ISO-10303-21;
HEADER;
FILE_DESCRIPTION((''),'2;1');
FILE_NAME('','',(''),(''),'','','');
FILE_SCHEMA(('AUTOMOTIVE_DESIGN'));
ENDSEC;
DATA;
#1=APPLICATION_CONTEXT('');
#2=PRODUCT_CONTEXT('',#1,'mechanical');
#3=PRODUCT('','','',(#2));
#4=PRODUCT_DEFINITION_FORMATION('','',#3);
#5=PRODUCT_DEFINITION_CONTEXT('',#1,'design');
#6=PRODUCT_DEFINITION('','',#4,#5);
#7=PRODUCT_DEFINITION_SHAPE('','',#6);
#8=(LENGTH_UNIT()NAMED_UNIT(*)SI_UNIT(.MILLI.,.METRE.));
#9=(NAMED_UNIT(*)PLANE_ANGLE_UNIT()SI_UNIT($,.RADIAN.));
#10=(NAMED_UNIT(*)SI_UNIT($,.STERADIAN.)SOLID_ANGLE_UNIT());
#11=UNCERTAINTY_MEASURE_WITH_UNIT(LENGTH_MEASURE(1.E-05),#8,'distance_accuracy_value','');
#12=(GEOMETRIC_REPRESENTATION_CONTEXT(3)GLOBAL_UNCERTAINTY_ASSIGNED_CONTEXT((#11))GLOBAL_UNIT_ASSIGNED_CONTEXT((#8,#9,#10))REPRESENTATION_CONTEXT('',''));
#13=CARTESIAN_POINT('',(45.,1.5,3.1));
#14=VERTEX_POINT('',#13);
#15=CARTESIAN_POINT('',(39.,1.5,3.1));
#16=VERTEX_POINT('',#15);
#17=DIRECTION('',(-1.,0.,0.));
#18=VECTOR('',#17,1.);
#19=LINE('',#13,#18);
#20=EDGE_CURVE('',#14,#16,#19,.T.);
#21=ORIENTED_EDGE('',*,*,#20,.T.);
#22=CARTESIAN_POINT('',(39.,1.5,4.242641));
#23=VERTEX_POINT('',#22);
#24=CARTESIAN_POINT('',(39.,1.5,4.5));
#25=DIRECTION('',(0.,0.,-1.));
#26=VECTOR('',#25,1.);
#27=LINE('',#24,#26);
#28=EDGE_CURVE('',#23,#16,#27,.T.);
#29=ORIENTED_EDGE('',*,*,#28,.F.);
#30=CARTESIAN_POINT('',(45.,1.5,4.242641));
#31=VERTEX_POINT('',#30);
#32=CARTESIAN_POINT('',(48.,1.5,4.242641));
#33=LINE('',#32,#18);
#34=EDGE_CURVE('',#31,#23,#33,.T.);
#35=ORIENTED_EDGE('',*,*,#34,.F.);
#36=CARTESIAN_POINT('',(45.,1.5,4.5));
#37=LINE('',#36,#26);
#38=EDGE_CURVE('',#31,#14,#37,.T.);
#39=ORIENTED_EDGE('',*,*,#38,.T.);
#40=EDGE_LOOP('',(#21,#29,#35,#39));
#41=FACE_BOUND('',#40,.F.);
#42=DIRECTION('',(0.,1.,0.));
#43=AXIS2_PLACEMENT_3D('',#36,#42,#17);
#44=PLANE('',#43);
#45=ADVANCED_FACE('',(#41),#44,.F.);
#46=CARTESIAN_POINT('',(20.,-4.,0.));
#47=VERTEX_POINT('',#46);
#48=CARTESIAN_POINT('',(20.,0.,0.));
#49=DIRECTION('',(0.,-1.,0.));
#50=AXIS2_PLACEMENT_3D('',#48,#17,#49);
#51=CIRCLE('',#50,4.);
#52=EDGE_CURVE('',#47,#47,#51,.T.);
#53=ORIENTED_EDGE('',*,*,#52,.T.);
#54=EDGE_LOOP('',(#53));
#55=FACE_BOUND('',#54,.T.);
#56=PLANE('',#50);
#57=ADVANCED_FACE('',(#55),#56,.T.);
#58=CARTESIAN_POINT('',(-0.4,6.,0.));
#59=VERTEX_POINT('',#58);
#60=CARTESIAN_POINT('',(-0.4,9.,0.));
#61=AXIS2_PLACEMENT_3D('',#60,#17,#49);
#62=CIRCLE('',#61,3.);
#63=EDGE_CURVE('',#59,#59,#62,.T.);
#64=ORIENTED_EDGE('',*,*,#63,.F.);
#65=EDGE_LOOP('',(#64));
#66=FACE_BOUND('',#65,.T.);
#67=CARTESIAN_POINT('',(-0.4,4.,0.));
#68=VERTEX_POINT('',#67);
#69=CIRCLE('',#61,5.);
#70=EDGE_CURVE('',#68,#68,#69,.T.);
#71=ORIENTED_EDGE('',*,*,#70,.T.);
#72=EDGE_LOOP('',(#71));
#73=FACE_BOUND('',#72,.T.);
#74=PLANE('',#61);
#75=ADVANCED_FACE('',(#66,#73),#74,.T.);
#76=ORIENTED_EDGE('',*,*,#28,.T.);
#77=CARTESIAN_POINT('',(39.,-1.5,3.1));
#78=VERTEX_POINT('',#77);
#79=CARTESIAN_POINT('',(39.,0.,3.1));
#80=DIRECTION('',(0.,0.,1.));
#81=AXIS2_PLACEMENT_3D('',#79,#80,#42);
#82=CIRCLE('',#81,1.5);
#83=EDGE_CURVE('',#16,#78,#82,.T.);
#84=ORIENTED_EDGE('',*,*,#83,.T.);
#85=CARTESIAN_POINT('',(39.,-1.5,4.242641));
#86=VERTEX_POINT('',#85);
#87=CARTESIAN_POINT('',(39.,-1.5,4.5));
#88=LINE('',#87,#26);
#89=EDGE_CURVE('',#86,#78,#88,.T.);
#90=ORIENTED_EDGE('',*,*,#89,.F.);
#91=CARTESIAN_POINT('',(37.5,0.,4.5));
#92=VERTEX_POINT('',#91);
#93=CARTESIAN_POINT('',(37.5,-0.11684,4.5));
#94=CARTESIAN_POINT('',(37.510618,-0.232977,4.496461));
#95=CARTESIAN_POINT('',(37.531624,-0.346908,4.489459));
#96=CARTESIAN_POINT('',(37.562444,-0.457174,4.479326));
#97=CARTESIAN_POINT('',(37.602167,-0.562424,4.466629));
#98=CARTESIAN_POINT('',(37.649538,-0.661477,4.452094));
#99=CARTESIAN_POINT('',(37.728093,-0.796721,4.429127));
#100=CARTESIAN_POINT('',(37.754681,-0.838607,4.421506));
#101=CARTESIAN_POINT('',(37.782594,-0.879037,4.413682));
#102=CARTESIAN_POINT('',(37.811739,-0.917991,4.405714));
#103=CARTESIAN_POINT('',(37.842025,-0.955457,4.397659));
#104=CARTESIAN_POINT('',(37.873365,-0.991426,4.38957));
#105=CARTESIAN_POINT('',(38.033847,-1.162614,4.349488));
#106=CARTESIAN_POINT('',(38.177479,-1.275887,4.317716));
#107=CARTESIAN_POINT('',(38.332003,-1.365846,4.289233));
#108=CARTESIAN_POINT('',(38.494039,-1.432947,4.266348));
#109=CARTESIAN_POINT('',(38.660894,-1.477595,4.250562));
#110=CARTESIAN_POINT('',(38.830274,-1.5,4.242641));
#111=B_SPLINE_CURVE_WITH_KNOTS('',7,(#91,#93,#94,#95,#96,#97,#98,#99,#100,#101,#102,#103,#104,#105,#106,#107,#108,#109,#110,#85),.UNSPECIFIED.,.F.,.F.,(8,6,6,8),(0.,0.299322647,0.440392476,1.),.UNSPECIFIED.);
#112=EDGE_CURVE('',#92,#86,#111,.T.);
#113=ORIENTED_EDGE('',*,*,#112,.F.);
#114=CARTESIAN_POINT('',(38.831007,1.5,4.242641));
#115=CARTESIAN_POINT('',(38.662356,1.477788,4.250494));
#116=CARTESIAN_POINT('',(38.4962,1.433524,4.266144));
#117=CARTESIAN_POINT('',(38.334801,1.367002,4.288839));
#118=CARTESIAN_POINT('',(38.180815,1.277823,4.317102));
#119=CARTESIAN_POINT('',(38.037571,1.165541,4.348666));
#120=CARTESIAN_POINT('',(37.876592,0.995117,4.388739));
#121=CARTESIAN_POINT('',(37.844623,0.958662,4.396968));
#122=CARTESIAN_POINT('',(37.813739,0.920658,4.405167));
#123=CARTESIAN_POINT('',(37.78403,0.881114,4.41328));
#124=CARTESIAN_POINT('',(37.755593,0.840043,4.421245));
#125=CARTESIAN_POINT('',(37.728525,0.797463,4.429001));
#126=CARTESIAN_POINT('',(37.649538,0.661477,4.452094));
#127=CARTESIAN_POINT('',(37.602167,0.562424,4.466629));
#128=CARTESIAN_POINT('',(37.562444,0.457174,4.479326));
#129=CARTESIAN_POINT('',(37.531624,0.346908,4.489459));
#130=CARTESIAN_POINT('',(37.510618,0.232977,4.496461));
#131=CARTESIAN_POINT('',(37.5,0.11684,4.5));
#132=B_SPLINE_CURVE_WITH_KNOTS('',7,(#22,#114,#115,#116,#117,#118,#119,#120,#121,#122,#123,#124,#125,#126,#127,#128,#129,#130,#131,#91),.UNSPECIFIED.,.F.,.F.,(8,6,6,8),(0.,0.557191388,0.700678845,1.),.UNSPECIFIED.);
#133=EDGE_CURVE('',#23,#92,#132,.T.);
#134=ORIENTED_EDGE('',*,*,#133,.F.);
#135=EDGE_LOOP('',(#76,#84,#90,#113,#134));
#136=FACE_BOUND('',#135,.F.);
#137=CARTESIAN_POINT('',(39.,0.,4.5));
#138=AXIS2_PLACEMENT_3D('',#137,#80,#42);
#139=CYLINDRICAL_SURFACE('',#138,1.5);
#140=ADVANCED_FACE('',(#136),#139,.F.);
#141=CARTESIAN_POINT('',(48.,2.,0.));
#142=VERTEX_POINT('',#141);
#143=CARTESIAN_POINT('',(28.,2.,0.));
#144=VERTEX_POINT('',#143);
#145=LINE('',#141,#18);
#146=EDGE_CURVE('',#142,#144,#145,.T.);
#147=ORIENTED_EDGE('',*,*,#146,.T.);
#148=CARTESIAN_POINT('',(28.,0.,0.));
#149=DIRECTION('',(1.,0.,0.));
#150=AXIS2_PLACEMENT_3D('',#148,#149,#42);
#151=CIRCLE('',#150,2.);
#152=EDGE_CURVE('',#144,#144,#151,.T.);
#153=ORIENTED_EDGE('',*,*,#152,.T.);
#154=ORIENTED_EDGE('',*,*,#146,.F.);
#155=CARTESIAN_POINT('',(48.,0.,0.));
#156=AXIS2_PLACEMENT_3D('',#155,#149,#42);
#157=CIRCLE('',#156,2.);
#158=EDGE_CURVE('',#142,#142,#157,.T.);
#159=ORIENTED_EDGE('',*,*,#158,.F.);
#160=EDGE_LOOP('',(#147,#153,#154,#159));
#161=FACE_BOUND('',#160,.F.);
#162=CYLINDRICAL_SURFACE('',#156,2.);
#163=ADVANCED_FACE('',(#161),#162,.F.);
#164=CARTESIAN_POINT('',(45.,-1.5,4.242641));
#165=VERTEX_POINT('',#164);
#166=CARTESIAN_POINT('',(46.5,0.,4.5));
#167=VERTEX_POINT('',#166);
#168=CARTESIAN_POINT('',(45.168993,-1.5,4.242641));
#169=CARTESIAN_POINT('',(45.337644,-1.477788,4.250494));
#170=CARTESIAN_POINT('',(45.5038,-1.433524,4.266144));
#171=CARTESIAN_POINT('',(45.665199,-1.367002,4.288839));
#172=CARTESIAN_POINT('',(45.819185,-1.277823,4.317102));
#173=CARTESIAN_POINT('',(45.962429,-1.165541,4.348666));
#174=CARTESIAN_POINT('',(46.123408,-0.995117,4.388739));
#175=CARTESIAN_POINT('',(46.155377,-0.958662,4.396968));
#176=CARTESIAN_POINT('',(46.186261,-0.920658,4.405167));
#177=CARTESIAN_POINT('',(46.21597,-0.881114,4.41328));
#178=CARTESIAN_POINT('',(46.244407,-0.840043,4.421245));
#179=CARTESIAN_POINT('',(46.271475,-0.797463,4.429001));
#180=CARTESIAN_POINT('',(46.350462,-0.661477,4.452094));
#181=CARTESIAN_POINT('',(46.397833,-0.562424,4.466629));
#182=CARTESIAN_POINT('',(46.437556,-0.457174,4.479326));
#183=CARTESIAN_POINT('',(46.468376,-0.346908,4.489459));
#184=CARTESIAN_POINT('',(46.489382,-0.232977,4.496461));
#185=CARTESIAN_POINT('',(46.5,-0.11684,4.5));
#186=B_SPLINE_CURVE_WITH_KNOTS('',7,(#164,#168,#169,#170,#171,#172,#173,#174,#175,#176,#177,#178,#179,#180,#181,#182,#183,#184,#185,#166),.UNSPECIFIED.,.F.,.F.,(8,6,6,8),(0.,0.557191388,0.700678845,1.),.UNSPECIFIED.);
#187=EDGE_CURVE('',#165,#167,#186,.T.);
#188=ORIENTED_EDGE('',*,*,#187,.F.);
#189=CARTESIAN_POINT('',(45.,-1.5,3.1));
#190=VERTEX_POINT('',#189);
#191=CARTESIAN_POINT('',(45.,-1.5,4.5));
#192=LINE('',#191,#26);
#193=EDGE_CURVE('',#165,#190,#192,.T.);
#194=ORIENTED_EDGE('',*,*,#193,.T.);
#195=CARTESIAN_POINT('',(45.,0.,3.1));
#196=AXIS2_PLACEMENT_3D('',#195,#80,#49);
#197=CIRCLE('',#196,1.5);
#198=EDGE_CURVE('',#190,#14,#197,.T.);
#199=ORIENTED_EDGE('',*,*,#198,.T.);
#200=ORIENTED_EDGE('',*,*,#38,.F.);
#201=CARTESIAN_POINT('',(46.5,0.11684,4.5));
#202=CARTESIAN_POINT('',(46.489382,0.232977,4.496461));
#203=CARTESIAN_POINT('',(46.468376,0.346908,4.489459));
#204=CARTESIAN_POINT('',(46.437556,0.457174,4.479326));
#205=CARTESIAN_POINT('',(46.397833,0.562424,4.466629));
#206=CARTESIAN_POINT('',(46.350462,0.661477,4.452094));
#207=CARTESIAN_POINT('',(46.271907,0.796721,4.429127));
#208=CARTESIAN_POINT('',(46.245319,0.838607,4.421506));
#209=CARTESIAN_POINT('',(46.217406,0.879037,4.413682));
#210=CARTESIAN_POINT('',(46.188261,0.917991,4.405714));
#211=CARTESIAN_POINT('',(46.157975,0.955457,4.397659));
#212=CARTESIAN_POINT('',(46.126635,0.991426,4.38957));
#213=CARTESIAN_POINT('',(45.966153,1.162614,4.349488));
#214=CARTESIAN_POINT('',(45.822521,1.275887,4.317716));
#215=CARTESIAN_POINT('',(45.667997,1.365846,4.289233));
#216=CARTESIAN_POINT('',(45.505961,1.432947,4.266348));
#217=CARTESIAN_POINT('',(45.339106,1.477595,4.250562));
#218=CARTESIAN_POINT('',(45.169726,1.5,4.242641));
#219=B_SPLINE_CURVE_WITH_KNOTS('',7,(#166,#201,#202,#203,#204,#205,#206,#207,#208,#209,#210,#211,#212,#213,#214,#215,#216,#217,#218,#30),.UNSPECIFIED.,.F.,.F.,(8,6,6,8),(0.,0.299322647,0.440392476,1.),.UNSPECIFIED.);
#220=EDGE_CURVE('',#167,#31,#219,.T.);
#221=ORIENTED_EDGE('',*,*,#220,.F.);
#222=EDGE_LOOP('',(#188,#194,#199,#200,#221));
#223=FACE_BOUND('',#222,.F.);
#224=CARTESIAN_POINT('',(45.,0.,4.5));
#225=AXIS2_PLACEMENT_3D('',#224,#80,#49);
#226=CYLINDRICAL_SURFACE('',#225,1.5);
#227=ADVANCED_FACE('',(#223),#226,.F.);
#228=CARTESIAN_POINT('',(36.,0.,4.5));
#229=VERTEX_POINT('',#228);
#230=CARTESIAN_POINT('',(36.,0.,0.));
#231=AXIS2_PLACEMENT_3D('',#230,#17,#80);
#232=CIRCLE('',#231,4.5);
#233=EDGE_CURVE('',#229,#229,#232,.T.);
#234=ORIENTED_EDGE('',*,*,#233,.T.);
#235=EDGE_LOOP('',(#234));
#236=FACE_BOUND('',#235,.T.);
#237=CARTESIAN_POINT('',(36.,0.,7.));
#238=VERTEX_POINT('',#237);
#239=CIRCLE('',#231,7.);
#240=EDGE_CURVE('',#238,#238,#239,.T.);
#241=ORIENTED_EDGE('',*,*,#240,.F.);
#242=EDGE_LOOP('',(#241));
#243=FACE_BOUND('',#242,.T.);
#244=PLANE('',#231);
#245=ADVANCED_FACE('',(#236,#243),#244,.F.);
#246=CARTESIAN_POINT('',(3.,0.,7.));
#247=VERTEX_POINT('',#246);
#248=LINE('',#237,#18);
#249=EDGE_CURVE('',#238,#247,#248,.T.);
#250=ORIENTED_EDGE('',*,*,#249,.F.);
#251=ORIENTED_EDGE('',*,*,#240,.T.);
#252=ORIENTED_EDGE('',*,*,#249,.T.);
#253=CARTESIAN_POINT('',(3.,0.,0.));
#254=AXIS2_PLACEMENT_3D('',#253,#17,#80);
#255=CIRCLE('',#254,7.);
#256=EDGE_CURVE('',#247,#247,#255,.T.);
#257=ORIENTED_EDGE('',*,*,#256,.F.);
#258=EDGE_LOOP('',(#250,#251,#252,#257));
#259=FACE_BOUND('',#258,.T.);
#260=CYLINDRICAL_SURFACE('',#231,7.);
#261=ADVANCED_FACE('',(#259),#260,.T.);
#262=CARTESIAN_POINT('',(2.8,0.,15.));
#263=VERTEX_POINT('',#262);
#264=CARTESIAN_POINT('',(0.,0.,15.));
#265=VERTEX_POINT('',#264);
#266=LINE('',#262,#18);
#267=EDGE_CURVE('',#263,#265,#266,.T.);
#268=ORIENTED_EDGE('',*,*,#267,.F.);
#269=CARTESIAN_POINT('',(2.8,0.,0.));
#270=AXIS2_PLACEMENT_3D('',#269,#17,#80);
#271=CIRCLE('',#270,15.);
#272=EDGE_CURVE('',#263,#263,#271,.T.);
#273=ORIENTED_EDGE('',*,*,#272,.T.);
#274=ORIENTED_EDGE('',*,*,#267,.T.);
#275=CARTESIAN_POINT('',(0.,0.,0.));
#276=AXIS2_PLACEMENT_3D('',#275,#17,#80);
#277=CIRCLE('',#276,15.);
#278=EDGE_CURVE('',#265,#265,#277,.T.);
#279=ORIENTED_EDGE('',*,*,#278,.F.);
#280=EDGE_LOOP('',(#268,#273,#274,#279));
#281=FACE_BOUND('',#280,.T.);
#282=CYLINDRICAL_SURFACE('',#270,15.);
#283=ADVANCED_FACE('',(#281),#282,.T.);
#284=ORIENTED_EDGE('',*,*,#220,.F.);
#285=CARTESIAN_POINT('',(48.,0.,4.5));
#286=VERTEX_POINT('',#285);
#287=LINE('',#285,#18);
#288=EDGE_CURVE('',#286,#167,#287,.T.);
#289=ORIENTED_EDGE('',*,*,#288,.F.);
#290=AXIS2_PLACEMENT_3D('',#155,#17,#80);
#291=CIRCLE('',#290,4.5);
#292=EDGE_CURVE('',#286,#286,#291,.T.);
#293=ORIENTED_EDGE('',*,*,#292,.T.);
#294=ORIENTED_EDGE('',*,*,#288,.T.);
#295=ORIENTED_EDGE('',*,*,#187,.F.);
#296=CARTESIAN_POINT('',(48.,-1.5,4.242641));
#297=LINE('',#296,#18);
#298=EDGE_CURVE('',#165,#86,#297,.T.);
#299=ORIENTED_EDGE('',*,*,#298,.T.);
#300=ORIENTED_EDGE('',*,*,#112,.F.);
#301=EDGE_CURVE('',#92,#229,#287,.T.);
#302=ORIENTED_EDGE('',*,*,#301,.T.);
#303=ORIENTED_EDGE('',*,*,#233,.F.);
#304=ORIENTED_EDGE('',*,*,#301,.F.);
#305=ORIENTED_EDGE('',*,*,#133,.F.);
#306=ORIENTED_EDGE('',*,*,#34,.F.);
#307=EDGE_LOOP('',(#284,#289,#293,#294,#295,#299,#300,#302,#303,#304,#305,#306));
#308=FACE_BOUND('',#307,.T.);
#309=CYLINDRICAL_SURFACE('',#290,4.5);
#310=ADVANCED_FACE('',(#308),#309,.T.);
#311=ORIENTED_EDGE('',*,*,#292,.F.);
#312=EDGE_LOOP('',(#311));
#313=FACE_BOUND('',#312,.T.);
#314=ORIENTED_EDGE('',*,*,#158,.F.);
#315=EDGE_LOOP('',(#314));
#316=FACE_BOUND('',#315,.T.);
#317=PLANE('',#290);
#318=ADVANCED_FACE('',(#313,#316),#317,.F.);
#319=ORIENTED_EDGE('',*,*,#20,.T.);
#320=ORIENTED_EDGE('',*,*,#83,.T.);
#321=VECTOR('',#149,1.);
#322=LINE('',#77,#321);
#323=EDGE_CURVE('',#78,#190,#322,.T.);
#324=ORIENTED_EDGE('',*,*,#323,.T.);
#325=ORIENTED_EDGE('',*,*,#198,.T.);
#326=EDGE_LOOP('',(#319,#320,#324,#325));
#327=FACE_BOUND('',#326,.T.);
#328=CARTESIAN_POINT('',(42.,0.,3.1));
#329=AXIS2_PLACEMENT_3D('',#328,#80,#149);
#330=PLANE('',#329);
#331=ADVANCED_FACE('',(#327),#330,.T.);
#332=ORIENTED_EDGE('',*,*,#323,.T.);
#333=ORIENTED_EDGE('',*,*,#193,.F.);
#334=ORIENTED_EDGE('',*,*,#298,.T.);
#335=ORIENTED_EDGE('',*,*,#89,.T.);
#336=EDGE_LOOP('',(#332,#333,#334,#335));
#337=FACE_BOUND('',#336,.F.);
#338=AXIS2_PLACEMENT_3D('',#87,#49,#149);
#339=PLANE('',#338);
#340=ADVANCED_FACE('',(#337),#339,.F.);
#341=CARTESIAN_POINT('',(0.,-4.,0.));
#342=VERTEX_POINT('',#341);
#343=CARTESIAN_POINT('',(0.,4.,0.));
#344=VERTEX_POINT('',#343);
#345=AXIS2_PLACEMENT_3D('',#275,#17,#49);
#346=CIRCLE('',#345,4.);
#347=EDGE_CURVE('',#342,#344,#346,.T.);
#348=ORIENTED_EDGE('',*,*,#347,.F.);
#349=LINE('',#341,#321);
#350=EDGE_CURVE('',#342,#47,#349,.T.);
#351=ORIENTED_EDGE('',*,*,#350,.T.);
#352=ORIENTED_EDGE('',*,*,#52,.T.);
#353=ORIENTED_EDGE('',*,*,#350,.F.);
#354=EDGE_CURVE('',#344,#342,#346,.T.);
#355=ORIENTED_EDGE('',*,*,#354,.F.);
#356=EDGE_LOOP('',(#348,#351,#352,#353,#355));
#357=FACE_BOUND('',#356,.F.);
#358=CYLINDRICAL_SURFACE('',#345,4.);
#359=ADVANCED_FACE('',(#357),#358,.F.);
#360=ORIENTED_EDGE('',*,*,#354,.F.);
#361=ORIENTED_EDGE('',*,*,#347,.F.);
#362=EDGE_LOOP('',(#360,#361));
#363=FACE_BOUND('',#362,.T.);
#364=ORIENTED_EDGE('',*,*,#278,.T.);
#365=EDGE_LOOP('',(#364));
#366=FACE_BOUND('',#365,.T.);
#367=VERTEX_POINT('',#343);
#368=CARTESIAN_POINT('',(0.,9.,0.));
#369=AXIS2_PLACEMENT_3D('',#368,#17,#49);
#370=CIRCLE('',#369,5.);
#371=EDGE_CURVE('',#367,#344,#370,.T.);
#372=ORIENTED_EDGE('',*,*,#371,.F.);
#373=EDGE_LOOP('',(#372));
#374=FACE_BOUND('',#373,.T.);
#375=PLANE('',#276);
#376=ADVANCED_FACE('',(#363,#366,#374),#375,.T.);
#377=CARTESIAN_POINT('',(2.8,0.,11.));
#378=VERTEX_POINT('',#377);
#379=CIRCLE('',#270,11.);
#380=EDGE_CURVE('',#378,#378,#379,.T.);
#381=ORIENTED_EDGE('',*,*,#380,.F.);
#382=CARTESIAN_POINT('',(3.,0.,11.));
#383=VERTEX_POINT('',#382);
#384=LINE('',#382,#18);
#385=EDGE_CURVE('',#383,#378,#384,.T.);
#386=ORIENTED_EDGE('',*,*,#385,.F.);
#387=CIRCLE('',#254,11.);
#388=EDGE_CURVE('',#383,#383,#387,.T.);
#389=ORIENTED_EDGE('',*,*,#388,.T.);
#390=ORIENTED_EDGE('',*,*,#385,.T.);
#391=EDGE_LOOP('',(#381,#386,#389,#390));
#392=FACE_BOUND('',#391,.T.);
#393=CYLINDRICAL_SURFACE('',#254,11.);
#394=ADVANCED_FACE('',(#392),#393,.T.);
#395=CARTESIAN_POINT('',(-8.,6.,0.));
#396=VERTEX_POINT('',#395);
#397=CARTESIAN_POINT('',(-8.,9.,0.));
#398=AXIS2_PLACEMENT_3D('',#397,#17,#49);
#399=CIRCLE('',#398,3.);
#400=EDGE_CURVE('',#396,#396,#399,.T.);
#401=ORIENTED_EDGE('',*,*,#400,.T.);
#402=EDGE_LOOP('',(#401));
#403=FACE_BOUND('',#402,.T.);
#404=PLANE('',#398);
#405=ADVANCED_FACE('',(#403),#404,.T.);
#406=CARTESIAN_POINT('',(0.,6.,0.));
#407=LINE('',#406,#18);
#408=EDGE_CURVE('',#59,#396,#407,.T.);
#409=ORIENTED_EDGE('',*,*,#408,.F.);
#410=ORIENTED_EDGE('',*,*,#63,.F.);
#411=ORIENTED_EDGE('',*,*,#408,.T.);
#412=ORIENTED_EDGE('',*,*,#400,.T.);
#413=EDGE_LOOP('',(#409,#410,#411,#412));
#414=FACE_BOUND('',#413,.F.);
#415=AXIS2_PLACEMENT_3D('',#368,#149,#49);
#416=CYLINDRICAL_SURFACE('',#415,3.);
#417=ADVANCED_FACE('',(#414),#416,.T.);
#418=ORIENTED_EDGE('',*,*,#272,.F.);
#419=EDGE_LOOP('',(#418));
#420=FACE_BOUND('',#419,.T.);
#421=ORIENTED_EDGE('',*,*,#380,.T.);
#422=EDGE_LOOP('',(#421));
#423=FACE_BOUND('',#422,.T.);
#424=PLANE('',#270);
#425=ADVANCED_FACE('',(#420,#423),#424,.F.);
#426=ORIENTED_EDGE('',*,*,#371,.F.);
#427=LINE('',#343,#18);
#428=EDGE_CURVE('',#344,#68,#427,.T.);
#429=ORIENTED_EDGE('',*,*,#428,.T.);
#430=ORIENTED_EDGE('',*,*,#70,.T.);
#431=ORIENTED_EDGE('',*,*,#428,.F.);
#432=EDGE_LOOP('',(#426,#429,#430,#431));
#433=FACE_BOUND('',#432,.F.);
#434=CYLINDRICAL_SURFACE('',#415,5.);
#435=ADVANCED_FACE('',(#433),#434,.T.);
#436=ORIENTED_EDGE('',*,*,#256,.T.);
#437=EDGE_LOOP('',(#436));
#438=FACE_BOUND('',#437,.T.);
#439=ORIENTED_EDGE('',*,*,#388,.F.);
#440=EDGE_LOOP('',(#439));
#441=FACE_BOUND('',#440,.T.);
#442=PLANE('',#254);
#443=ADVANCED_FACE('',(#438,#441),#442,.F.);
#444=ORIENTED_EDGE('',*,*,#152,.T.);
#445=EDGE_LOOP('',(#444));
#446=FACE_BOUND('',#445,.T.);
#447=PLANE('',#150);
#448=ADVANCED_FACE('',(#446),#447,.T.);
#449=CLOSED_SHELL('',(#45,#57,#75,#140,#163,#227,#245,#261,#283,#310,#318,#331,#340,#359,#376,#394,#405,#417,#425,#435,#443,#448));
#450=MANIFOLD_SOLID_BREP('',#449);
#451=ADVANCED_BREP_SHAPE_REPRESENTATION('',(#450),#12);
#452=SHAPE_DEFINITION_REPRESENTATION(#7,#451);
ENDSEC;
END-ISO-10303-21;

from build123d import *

# Parameters (mm, degrees)
F2_R      = 2
F3_DEPTH  = 20
F4_R      = 4
F5_DEPTH  = 20
F8_DEPTH  = 1.4
F9_R      = 3
F10_DEPTH = 8
F9_R_2    = 5
F11_DEPTH = 0.4


with BuildPart() as f1:
    # F0 (on Front) → F1 (revolve)
    with BuildSketch(Plane.XZ):
        Polygon((0, 15), (0, 0), (48, 0), (48, 4.5), (36, 4.5), (36, 7), (3, 7), (3, 11), (2.8, 11), (2.8, 15), align=None)
    revolve(axis=Axis((24, 0, 0), (-1, 0, 0)))

    # F2 (on face) → F3 (cut)
    with BuildSketch(Plane.YZ.offset(48)):
        Circle(F2_R)
    extrude(amount=-F3_DEPTH, mode=Mode.SUBTRACT)

    # F4 (on face) → F5 (cut)
    with BuildSketch(Plane(origin=(0, 0, 0), x_dir=(0, -1, 0), z_dir=(-1, 0, 0))):
        Circle(F4_R)
    extrude(amount=-F5_DEPTH, mode=Mode.SUBTRACT)

    # F7 (on offset) → F8 (cut)
    with BuildSketch(Plane.XY.offset(4.5)):
        with BuildLine():
            ThreePointArc((39, 1.5), (37.5, 0), (39, -1.5))
            Line((39, -1.5), (45, -1.5))
            ThreePointArc((45, -1.5), (46.5, 0), (45, 1.5))
            Line((45, 1.5), (39, 1.5))
        make_face()
    extrude(amount=-F8_DEPTH, mode=Mode.SUBTRACT)

    # F9 (on face) → F10 (join)
    with BuildSketch(Plane(origin=(0, 0, 0), x_dir=(0, -1, 0), z_dir=(-1, 0, 0))):
        with Locations((-9, 0)):
            Circle(F9_R)
    extrude(amount=F10_DEPTH)

    # F9 (on face) → F11 (join)
    with BuildSketch(Plane(origin=(0, 0, 0), x_dir=(0, -1, 0), z_dir=(-1, 0, 0))):
        with Locations((-9, 0)):
            Circle(F9_R_2)
        with Locations((-9, 0)):
            Circle(F9_R, mode=Mode.SUBTRACT)
    extrude(amount=F11_DEPTH)


solid = f1.part
